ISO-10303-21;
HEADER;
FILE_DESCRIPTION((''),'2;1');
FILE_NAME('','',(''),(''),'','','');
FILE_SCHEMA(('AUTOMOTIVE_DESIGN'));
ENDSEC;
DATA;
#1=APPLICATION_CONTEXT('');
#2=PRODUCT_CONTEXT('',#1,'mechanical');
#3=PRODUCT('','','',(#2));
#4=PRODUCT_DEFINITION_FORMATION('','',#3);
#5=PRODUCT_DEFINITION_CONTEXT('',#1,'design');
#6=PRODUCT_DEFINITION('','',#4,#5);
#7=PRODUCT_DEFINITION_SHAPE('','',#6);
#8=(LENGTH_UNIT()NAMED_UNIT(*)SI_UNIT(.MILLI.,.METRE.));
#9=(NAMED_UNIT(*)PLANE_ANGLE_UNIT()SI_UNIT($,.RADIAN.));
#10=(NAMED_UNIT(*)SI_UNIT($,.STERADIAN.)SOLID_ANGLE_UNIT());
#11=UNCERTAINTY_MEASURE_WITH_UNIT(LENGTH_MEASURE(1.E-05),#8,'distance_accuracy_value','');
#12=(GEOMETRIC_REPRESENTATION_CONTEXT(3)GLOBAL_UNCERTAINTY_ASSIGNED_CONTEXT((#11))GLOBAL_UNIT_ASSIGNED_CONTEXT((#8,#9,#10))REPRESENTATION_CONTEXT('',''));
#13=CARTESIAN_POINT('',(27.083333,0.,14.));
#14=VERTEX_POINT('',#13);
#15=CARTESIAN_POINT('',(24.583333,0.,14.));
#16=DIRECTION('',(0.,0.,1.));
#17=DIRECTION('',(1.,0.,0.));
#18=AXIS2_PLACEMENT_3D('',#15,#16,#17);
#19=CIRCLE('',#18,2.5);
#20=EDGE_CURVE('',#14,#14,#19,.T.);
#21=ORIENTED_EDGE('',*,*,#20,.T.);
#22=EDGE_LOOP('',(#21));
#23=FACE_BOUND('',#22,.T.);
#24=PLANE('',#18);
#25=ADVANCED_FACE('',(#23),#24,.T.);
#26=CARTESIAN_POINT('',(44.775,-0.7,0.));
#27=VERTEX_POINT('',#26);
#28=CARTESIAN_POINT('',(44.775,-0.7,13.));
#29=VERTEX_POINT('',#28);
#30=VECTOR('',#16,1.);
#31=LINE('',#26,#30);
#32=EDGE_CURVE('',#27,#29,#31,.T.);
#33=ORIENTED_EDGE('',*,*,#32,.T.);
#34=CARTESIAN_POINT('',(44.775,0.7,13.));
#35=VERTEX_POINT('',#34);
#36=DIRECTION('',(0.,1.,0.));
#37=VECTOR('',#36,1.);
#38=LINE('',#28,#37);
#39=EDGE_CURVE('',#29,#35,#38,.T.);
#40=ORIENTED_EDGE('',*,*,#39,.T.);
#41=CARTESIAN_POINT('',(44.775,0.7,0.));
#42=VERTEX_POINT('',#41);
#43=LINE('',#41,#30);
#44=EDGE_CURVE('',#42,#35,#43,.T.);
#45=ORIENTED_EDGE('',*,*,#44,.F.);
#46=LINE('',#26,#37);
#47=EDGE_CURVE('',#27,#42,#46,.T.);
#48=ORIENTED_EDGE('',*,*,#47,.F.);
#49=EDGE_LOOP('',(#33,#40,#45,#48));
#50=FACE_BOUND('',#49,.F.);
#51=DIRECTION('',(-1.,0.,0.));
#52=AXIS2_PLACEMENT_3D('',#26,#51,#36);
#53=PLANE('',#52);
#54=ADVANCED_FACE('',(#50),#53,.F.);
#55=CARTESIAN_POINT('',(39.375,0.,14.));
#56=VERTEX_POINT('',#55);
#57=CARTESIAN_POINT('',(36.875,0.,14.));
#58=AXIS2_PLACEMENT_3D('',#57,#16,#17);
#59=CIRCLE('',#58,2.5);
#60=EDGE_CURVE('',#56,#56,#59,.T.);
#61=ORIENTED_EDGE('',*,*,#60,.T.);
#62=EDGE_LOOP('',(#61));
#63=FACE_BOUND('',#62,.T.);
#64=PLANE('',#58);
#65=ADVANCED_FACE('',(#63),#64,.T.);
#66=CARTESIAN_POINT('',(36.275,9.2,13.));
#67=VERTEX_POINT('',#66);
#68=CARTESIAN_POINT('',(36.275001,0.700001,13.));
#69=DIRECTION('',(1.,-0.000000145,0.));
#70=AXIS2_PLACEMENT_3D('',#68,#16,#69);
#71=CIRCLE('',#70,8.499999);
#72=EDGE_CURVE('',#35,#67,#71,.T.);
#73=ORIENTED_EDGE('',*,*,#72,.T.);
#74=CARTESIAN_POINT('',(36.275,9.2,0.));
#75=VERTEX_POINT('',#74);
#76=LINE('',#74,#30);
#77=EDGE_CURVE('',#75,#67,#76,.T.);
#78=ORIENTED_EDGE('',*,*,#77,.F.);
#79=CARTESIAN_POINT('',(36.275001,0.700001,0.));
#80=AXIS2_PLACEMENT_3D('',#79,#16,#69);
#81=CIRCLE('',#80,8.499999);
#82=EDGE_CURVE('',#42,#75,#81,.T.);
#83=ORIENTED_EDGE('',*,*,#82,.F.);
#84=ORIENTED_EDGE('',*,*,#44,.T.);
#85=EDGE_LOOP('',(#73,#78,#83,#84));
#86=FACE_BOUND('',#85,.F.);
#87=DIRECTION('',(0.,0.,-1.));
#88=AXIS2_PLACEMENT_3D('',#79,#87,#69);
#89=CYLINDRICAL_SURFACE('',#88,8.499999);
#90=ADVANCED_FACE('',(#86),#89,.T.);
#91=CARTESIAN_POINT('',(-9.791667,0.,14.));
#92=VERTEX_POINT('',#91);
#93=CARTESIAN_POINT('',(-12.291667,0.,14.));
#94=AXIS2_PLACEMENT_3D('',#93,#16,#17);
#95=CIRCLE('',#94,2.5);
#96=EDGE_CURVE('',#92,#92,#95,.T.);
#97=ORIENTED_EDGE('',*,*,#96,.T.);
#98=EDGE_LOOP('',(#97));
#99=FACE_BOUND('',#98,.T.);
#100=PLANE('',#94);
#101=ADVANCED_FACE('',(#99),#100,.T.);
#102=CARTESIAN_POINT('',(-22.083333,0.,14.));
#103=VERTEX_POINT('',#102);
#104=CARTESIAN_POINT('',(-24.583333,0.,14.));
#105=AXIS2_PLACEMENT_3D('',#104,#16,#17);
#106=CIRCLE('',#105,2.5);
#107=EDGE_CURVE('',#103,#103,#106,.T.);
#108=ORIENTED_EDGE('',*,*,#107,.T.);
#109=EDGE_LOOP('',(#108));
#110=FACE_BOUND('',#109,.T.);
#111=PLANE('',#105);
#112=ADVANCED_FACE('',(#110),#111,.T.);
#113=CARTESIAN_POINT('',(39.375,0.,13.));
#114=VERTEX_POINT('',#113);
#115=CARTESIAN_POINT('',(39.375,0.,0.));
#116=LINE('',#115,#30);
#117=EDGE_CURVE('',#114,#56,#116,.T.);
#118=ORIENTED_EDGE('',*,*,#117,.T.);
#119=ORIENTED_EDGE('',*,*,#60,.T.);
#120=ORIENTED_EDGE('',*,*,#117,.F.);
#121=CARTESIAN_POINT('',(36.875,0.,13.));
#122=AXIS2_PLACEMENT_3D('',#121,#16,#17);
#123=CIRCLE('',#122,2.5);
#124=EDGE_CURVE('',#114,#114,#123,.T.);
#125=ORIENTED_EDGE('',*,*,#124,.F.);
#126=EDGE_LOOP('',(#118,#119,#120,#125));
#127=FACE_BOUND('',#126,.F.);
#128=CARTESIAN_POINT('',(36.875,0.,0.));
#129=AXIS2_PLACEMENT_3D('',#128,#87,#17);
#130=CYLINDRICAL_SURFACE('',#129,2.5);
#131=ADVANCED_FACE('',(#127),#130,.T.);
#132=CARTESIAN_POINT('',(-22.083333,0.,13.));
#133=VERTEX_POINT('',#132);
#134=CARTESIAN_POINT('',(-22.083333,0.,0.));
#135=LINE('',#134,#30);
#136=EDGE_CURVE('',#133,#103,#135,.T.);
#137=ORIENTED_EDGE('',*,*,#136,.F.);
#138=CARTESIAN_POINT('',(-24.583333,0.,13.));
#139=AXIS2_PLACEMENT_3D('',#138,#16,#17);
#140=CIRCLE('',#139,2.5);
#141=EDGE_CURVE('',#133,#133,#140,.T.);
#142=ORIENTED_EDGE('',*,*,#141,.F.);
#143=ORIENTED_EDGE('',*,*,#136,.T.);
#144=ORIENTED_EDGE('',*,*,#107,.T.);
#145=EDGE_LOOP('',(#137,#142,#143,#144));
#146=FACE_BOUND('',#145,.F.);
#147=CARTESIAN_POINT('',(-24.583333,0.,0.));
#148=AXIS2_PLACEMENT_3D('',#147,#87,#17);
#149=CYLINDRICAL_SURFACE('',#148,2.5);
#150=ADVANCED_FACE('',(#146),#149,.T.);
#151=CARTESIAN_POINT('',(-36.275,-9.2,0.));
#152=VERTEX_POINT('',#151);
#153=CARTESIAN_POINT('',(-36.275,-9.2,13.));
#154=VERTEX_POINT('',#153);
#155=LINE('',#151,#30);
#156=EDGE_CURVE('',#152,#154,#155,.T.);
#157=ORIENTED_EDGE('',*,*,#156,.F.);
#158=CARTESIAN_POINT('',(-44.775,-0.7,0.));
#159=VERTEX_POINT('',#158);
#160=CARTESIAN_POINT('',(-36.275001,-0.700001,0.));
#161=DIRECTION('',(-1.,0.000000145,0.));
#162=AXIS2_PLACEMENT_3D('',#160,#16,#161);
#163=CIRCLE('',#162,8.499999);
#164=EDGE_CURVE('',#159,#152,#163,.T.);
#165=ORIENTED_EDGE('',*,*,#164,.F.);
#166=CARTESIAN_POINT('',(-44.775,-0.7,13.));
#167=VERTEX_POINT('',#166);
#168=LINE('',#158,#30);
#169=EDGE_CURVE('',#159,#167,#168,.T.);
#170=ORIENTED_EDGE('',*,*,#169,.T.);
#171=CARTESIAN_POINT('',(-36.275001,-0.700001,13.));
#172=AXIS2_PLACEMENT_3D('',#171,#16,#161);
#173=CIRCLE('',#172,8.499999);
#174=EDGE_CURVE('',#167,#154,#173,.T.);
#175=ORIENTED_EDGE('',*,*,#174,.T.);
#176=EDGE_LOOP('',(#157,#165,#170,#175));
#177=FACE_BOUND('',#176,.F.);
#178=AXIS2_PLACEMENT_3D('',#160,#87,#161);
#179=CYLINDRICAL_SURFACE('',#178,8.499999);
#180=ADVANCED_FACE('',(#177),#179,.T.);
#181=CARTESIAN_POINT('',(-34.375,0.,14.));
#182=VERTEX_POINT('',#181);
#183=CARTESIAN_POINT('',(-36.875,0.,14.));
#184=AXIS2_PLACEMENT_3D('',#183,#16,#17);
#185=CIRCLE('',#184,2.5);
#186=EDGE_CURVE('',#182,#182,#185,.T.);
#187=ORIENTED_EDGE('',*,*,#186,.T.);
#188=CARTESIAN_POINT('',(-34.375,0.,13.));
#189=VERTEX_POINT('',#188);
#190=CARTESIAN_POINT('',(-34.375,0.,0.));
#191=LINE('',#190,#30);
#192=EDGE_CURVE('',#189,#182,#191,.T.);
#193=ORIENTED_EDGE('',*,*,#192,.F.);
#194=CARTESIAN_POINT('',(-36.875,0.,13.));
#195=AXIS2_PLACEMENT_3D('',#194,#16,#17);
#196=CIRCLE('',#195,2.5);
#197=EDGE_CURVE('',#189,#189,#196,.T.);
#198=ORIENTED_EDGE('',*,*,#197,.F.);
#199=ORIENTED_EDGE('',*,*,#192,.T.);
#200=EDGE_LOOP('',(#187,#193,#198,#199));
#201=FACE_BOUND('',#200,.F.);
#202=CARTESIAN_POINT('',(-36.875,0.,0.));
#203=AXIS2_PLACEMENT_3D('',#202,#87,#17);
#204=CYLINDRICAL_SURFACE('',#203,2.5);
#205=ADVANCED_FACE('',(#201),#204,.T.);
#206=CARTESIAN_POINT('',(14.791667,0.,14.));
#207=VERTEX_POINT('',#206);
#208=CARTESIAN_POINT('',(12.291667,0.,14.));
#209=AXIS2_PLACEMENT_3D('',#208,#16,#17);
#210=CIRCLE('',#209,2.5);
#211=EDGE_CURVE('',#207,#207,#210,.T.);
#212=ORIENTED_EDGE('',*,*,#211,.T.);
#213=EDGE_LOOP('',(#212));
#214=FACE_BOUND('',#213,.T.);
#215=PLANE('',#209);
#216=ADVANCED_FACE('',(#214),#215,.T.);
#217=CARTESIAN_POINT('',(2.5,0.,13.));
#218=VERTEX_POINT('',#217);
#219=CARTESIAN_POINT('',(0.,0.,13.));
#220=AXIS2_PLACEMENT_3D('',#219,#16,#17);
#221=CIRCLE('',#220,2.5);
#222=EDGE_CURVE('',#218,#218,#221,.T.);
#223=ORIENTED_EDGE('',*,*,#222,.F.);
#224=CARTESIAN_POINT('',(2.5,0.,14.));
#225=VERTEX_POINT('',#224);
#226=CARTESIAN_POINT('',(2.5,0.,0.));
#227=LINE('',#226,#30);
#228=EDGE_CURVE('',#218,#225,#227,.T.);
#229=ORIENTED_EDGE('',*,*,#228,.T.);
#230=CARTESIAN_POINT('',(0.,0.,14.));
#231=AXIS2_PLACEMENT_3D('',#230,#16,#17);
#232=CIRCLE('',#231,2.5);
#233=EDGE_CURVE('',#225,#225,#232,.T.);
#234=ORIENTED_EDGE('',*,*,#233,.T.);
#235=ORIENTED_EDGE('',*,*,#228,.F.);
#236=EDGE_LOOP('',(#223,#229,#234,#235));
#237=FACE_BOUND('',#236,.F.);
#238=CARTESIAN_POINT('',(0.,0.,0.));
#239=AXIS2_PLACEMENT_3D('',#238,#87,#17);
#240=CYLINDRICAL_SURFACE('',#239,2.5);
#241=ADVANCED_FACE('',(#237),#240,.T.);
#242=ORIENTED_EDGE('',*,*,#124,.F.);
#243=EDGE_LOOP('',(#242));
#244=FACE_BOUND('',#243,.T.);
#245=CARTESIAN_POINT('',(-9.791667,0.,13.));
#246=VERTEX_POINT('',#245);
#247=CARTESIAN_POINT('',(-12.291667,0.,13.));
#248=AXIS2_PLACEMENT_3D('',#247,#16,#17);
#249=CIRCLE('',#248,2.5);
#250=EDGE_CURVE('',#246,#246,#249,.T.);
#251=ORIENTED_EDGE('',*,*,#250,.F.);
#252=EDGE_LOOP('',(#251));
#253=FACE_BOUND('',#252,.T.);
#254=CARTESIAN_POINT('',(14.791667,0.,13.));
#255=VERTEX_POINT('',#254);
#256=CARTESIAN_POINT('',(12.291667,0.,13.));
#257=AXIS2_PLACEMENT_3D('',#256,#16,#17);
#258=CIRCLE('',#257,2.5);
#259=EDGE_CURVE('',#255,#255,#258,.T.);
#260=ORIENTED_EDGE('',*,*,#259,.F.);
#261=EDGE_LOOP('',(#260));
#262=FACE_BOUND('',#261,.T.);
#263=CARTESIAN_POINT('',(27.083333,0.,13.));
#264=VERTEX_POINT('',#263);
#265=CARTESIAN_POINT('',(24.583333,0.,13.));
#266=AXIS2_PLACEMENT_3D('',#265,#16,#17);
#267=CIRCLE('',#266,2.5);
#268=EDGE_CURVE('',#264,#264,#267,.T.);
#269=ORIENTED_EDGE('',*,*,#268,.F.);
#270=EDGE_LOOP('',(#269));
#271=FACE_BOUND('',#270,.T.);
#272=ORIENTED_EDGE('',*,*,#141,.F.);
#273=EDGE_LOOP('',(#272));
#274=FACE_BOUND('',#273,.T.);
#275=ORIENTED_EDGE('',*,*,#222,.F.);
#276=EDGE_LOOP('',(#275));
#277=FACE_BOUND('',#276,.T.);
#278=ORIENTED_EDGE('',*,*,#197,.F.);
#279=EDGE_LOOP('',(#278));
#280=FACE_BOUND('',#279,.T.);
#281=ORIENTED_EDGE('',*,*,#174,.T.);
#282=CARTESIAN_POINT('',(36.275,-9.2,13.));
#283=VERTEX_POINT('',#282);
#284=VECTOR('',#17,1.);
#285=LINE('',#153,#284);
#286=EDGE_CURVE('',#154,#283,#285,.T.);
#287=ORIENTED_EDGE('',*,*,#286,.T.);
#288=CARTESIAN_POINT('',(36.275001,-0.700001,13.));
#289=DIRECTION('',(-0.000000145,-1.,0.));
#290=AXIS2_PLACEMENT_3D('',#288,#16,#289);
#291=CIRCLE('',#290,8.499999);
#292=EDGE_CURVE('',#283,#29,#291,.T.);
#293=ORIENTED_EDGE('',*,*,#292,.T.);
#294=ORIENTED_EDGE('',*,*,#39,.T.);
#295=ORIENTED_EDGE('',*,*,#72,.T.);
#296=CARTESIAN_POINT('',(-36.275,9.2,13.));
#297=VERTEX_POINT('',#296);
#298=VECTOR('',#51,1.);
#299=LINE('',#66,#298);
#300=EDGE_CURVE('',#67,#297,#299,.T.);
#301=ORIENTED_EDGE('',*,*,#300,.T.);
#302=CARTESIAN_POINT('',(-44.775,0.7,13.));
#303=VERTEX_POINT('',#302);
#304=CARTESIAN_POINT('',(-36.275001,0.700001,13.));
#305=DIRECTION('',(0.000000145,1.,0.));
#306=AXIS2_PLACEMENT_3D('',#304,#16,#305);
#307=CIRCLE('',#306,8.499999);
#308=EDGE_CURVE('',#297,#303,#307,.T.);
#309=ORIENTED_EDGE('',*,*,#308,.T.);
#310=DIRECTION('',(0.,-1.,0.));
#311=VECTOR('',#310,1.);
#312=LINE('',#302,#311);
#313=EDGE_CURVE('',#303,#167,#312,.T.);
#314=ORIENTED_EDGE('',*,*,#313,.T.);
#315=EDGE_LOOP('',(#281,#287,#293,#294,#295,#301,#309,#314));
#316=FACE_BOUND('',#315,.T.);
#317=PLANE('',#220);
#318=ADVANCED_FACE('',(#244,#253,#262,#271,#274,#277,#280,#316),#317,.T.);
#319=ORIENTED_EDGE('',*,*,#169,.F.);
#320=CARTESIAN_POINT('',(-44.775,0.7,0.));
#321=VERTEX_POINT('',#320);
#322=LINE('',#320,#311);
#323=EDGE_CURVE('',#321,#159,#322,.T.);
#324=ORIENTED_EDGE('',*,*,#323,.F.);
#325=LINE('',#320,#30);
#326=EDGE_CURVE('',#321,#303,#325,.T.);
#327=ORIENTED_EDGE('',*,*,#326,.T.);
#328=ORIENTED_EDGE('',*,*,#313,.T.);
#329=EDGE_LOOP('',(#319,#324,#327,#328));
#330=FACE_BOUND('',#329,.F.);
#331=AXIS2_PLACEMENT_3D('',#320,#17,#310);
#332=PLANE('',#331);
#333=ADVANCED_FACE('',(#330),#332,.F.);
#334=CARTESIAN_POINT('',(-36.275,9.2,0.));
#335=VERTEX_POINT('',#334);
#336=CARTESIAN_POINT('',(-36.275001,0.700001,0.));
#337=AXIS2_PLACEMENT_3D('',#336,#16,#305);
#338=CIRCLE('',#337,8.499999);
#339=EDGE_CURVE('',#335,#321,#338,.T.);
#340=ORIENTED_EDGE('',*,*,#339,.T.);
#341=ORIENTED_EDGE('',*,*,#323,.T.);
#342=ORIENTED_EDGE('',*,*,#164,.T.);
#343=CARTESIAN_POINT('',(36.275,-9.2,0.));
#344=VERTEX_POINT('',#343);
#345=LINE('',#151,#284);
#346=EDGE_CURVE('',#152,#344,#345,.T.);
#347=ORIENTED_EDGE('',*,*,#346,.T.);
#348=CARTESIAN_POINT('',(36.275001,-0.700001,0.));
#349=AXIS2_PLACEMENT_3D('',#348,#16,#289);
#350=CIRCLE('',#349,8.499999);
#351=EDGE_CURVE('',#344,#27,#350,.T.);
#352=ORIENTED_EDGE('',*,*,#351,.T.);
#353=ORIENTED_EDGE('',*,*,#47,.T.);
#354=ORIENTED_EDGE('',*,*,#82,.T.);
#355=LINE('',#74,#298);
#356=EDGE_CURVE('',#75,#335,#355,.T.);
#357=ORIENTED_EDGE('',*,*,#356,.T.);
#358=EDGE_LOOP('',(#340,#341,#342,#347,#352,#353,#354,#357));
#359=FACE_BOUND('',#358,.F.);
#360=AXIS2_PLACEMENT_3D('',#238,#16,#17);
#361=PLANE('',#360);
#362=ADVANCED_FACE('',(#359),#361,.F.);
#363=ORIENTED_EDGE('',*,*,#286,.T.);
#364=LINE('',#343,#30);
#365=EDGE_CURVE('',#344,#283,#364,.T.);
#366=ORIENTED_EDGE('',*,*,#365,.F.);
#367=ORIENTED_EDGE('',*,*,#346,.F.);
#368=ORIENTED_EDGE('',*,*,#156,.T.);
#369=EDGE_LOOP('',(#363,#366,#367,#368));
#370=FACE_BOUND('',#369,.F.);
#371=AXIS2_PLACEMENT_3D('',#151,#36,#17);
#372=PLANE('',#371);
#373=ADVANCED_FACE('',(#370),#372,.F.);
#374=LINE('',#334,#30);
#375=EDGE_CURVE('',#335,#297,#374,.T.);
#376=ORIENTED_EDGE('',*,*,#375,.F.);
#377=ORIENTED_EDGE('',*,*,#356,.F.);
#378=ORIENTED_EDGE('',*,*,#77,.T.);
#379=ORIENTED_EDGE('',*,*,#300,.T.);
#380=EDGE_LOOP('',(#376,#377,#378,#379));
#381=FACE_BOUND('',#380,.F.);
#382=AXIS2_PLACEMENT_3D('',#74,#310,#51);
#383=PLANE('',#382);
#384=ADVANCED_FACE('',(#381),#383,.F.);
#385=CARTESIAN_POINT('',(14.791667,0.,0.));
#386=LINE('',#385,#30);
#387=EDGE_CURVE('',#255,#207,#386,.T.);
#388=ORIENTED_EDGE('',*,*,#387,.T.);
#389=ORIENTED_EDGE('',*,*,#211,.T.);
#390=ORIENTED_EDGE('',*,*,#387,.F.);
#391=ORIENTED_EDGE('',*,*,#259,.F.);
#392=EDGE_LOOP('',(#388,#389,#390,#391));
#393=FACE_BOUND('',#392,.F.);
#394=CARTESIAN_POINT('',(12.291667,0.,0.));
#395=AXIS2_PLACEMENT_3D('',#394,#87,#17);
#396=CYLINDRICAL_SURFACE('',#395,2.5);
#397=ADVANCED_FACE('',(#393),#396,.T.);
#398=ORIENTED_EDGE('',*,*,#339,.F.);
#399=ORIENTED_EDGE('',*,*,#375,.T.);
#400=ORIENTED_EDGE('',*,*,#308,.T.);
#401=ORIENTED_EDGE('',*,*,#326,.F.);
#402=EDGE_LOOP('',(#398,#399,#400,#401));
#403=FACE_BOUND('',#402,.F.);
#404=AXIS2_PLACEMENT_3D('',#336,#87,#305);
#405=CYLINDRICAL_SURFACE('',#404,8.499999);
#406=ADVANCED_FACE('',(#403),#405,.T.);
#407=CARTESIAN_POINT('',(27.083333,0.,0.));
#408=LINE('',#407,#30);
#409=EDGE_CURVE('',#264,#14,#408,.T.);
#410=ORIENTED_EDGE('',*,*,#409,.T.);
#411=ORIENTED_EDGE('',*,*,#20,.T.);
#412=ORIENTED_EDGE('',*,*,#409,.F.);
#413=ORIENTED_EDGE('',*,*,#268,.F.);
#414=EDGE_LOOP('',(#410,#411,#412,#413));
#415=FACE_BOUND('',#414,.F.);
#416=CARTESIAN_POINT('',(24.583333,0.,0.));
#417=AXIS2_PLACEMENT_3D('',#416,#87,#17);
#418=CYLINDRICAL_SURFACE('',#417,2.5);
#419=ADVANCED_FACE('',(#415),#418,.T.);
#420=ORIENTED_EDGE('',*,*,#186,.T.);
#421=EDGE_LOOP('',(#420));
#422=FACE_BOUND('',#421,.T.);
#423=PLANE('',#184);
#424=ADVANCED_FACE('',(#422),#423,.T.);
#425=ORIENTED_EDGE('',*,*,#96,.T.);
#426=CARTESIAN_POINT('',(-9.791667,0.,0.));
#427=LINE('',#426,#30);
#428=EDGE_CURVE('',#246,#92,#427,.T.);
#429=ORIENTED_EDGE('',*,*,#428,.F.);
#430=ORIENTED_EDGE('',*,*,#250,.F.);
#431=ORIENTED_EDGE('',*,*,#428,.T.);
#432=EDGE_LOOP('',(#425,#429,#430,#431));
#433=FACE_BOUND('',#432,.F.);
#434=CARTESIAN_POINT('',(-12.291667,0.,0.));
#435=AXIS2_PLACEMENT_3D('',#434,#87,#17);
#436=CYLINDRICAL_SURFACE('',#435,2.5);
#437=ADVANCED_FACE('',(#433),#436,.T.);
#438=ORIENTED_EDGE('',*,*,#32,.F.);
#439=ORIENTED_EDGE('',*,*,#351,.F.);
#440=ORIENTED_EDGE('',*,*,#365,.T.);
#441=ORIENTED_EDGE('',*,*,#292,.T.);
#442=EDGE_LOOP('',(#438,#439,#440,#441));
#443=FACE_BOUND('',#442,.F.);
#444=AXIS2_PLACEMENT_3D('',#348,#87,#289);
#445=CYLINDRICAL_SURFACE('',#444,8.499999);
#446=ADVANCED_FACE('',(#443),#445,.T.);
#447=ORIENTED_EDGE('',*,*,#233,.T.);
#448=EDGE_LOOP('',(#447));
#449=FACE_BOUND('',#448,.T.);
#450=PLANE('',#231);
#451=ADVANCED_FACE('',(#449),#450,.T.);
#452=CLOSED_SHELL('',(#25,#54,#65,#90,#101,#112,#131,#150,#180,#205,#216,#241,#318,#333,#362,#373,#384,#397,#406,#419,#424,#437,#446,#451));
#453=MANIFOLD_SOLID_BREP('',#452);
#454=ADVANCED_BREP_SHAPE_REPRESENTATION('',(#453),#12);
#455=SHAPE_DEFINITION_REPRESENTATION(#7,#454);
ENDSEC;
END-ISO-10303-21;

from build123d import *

# Parameters (mm, degrees)
F0_R     = 2.5
F1_DEPTH = 13
F2_DEPTH = 14


with BuildPart() as f1:
    # F0 (on Top) → F1 (new body)
    with BuildSketch(Plane.XY):
        with BuildLine():
            Line((36.275, 9.2), (-36.275, 9.2))
            ThreePointArc((-36.275, 9.2), (-42.285408, 6.710408), (-44.775, 0.7))
            Line((-44.775, 0.7), (-44.775, -0.7))
            ThreePointArc((-44.775, -0.7), (-42.285408, -6.710408), (-36.275, -9.2))
            Line((-36.275, -9.2), (36.275, -9.2))
            ThreePointArc((36.275, -9.2), (42.285408, -6.710408), (44.775, -0.7))
            Line((44.775, -0.7), (44.775, 0.7))
            ThreePointArc((44.775, 0.7), (42.285408, 6.710408), (36.275, 9.2))
        make_face()
        with Locations((-36.875, 0)):
            Circle(F0_R, mode=Mode.SUBTRACT)
        with Locations((-24.583333, 0)):
            Circle(F0_R, mode=Mode.SUBTRACT)
        with Locations((-12.291667, 0)):
            Circle(F0_R, mode=Mode.SUBTRACT)
        Circle(F0_R, mode=Mode.SUBTRACT)
        with Locations((12.291667, 0)):
            Circle(F0_R, mode=Mode.SUBTRACT)
        with Locations((24.583333, 0)):
            Circle(F0_R, mode=Mode.SUBTRACT)
        with Locations((36.875, 0)):
            Circle(F0_R, mode=Mode.SUBTRACT)
    extrude(amount=F1_DEPTH)

    # F0 (on Top) → F2 (join)
    with BuildSketch(Plane.XY):
        with Locations((-36.875, 0)):
            Circle(F0_R)
        with Locations((-24.583333, 0)):
            Circle(F0_R)
        with Locations((-12.291667, 0)):
            Circle(F0_R)
        Circle(F0_R)
        with Locations((12.291667, 0)):
            Circle(F0_R)
        with Locations((36.875, 0)):
            Circle(F0_R)
        with Locations((24.583333, 0)):
            Circle(F0_R)
    extrude(amount=F2_DEPTH)


solid = f1.part
